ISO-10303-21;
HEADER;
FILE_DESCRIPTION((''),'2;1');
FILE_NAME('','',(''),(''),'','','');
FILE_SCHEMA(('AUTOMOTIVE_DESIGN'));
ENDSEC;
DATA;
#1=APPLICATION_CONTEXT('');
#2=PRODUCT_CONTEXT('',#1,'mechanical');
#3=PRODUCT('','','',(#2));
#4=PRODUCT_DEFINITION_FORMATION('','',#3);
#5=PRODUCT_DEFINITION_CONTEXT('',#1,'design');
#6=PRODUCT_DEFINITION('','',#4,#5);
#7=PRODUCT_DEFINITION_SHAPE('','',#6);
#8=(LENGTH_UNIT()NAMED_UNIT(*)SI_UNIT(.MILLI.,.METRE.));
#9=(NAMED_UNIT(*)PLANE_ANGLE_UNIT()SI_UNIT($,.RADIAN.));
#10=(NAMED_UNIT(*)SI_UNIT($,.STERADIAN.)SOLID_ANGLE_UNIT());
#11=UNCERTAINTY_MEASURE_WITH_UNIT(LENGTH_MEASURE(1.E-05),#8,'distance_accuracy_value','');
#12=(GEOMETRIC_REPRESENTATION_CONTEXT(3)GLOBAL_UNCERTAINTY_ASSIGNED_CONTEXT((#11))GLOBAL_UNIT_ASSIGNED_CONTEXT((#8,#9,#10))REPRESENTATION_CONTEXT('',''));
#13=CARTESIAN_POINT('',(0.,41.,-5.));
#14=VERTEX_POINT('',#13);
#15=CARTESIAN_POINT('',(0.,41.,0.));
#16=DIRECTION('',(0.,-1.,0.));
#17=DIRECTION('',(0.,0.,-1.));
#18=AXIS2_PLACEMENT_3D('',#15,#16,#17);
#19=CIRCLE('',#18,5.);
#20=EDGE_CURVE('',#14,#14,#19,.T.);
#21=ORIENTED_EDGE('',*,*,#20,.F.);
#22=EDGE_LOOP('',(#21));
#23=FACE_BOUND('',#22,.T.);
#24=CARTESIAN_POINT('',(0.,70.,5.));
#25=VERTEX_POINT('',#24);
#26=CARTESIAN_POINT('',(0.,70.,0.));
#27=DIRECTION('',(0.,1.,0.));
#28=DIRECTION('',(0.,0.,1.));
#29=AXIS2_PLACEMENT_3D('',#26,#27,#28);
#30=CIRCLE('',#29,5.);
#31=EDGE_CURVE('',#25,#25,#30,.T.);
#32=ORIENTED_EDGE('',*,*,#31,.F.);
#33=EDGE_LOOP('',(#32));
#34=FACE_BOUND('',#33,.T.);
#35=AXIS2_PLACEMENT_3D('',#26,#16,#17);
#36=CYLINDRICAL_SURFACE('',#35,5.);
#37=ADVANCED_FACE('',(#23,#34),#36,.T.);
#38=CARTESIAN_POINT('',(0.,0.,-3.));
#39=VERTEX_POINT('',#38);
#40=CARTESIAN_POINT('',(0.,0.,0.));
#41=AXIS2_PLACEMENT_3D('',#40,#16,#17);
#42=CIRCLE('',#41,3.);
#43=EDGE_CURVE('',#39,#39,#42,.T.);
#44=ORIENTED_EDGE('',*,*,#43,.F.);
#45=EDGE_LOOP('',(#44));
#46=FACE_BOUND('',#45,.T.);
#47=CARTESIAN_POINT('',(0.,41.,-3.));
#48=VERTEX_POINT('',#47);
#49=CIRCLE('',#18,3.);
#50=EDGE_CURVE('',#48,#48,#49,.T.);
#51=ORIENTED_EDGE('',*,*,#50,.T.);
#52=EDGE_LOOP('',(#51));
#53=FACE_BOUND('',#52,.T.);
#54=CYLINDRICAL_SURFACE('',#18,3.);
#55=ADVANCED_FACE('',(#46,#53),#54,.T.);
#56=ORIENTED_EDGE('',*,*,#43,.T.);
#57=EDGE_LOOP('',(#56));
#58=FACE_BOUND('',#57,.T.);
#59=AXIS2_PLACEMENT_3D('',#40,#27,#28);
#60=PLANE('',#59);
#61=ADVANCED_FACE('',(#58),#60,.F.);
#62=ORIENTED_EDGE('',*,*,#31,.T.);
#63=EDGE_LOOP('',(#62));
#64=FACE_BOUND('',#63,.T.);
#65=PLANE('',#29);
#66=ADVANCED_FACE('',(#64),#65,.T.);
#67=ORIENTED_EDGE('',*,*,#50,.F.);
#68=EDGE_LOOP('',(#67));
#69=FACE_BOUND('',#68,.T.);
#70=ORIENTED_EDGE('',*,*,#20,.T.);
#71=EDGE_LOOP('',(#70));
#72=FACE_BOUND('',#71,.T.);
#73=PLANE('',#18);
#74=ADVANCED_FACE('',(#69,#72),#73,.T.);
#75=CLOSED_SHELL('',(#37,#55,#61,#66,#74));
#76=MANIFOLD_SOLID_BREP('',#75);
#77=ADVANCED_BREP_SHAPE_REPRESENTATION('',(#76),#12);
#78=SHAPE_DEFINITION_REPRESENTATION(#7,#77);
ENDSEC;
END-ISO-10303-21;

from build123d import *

# Parameters (mm, degrees)
SKETCH1_R           = 5
BOSS_EXTRUDE1_DEPTH = 70
SKETCH2_R           = 5
SKETCH2_R_2         = 3
CUT_EXTRUDE1_DEPTH  = 41


with BuildPart() as part:
    # Sketch1 → Boss-Extrude1 (new body)
    with BuildSketch(Plane(origin=(0, 0, 0), x_dir=(1, 0, 0), z_dir=(0, 1, 0))):
        Circle(SKETCH1_R)
    extrude(amount=BOSS_EXTRUDE1_DEPTH)

    # Sketch2 → Cut-Extrude1 (cut)
    with BuildSketch(Plane(origin=(0, 0, 0), x_dir=(-1, 0, 0), z_dir=(0, -1, 0))):
        Circle(SKETCH2_R)
        Circle(SKETCH2_R_2, mode=Mode.SUBTRACT)
    extrude(amount=-CUT_EXTRUDE1_DEPTH, mode=Mode.SUBTRACT)


solid = part.part
